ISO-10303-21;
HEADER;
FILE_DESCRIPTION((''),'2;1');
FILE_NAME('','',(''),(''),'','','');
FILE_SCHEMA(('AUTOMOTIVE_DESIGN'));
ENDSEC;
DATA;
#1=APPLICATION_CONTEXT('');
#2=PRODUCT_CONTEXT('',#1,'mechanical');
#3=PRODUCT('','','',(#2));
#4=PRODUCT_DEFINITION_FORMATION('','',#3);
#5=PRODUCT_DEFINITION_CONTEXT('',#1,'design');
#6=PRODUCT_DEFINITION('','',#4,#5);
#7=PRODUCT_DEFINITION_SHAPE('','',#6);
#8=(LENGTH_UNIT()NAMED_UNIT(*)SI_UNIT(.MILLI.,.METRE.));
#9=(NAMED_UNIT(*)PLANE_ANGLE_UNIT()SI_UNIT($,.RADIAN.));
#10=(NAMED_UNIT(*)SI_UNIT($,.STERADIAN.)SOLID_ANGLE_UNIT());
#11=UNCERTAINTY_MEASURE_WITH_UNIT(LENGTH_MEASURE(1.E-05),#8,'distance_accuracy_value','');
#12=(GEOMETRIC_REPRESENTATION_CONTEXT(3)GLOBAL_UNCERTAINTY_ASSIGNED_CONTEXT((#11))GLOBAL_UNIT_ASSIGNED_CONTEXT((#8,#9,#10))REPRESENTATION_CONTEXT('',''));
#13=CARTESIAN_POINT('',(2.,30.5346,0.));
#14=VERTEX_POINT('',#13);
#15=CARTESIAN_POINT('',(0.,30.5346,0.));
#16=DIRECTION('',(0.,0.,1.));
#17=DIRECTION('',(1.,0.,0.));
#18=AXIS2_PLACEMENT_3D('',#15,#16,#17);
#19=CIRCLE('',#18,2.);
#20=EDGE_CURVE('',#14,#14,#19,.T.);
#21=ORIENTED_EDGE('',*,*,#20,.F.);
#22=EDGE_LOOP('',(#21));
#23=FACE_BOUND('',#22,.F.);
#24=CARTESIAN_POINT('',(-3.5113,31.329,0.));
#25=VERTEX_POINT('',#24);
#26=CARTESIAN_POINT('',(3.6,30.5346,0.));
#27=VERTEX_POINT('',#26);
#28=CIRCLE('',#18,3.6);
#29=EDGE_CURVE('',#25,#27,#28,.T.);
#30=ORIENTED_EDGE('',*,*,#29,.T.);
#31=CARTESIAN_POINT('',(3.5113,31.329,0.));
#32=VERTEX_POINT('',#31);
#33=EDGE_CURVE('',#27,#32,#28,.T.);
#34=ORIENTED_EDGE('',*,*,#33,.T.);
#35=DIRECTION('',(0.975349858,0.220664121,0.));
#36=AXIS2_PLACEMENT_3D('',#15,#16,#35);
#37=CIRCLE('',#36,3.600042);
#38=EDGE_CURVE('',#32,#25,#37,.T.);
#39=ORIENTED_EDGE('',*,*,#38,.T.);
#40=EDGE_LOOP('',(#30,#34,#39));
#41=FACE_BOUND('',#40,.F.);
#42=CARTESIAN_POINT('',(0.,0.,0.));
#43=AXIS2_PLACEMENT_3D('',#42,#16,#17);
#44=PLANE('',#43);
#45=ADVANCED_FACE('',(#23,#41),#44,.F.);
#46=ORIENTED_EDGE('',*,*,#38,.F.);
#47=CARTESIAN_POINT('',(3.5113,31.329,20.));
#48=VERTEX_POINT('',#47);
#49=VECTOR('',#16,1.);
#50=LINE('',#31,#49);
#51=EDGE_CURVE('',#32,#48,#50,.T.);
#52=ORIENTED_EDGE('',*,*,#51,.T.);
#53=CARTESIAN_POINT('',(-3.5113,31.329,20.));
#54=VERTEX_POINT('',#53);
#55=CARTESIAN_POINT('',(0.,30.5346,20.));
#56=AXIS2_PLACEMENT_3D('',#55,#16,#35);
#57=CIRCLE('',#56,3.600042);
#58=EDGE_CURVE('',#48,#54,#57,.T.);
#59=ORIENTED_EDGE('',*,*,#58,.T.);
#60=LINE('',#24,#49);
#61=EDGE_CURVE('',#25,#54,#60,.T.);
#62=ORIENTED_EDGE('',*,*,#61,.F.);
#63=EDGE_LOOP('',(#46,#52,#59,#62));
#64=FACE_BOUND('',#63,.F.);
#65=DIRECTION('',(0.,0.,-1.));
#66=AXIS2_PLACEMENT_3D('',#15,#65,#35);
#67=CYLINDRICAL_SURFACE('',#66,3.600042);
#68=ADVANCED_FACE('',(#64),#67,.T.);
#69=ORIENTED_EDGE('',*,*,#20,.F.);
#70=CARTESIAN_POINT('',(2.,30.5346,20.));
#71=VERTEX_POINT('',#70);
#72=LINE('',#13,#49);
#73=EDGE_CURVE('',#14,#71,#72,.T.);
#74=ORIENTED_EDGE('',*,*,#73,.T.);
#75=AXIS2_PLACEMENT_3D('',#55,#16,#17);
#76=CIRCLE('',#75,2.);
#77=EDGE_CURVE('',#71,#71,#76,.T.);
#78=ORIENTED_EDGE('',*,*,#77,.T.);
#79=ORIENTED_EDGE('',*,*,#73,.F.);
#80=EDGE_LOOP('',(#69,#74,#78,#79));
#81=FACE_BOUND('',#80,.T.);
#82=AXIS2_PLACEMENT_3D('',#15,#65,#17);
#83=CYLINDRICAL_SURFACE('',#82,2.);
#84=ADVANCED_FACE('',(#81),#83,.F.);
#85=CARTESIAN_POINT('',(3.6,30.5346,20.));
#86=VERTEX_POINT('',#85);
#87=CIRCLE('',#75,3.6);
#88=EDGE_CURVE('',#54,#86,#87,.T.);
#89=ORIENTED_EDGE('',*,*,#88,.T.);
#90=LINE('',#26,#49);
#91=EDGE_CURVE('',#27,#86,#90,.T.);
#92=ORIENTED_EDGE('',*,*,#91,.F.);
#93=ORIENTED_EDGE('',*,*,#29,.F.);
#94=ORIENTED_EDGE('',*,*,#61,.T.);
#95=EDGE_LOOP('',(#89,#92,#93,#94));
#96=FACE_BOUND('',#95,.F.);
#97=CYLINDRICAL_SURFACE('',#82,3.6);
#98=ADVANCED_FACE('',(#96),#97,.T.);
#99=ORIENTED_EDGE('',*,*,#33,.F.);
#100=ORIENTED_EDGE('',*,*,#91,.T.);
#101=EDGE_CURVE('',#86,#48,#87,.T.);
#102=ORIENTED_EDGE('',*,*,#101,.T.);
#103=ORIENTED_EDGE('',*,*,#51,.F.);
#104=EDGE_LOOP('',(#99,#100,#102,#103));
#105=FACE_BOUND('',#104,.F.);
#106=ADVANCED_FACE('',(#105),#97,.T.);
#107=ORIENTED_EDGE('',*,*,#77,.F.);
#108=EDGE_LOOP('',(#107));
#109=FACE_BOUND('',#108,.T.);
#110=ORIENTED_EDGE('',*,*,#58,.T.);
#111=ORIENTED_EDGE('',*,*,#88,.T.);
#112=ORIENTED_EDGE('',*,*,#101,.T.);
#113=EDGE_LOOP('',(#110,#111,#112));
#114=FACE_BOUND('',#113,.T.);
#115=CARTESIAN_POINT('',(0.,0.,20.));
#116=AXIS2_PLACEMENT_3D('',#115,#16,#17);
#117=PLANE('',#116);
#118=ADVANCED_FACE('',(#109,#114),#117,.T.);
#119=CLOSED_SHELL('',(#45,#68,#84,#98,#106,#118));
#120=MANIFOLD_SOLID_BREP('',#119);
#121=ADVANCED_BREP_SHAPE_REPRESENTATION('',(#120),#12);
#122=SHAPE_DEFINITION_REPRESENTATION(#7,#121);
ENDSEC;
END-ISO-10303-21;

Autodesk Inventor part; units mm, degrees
ref_plane "YZ Plane" through (0, 0, 0) normal (1, 0, 0) x (0, 1, 0)
ref_plane "XZ Plane" through (0, 0, 0) normal (0, 1, 0) x (-1, 0, 0)
sketch "Sketch1" plane through (0, 0, 0) normal (0, 0, 1) x (1, 0, 0)
  line L0 (17.7965, -33.0962) -> (17.7965, -30.5346) projected
  arc A0 (25.198, -22.0185) -> (17.7965, -30.5346) centre (26.3965, -30.5346) ccw projected
  arc A1 (3.5113, 31.329) -> (25.198, -22.0185) centre (175.9129, 70.3315) ccw projected
  arc A2 (3.5113, 31.329) -> (-3.5113, 31.329) centre (0, 30.5346) ccw projected
  arc A3 (-25.198, -22.0185) -> (-3.5113, 31.329) centre (-175.9129, 70.3315) ccw projected
  arc A4 (-17.7965, -30.5346) -> (-25.198, -22.0185) centre (-26.3965, -30.5346) ccw projected
  line L1 (-17.7965, -30.5346) -> (-17.7965, -33.0962) projected
  arc A5 (17.7965, -33.0962) -> (-17.7965, -33.0962) centre (0, -209.921) ccw projected
  circle A6 centre (0, 30.5346) radius 2 projected
  circle A7 centre (0, -13.9154) radius 14.2875 projected
  circle A8 centre (0, 30.5346) radius 3.6
  circle A9 centre (0, 30.5346) radius 2
  point P0 (0, 0)
  point P1 (-3.5113, 31.329)
  point P2 (3.5113, 31.329)
ref_plane "Work Plane1" through (-29.9965, -34.1346, 20) normal (0, 0, -1) x (0, 1, 0)
extrude "Extrusion1" add sketch "Sketch1" along normal up to surface (20 mm away) contours A8 A2
properties part number "MototMountSpacer"
